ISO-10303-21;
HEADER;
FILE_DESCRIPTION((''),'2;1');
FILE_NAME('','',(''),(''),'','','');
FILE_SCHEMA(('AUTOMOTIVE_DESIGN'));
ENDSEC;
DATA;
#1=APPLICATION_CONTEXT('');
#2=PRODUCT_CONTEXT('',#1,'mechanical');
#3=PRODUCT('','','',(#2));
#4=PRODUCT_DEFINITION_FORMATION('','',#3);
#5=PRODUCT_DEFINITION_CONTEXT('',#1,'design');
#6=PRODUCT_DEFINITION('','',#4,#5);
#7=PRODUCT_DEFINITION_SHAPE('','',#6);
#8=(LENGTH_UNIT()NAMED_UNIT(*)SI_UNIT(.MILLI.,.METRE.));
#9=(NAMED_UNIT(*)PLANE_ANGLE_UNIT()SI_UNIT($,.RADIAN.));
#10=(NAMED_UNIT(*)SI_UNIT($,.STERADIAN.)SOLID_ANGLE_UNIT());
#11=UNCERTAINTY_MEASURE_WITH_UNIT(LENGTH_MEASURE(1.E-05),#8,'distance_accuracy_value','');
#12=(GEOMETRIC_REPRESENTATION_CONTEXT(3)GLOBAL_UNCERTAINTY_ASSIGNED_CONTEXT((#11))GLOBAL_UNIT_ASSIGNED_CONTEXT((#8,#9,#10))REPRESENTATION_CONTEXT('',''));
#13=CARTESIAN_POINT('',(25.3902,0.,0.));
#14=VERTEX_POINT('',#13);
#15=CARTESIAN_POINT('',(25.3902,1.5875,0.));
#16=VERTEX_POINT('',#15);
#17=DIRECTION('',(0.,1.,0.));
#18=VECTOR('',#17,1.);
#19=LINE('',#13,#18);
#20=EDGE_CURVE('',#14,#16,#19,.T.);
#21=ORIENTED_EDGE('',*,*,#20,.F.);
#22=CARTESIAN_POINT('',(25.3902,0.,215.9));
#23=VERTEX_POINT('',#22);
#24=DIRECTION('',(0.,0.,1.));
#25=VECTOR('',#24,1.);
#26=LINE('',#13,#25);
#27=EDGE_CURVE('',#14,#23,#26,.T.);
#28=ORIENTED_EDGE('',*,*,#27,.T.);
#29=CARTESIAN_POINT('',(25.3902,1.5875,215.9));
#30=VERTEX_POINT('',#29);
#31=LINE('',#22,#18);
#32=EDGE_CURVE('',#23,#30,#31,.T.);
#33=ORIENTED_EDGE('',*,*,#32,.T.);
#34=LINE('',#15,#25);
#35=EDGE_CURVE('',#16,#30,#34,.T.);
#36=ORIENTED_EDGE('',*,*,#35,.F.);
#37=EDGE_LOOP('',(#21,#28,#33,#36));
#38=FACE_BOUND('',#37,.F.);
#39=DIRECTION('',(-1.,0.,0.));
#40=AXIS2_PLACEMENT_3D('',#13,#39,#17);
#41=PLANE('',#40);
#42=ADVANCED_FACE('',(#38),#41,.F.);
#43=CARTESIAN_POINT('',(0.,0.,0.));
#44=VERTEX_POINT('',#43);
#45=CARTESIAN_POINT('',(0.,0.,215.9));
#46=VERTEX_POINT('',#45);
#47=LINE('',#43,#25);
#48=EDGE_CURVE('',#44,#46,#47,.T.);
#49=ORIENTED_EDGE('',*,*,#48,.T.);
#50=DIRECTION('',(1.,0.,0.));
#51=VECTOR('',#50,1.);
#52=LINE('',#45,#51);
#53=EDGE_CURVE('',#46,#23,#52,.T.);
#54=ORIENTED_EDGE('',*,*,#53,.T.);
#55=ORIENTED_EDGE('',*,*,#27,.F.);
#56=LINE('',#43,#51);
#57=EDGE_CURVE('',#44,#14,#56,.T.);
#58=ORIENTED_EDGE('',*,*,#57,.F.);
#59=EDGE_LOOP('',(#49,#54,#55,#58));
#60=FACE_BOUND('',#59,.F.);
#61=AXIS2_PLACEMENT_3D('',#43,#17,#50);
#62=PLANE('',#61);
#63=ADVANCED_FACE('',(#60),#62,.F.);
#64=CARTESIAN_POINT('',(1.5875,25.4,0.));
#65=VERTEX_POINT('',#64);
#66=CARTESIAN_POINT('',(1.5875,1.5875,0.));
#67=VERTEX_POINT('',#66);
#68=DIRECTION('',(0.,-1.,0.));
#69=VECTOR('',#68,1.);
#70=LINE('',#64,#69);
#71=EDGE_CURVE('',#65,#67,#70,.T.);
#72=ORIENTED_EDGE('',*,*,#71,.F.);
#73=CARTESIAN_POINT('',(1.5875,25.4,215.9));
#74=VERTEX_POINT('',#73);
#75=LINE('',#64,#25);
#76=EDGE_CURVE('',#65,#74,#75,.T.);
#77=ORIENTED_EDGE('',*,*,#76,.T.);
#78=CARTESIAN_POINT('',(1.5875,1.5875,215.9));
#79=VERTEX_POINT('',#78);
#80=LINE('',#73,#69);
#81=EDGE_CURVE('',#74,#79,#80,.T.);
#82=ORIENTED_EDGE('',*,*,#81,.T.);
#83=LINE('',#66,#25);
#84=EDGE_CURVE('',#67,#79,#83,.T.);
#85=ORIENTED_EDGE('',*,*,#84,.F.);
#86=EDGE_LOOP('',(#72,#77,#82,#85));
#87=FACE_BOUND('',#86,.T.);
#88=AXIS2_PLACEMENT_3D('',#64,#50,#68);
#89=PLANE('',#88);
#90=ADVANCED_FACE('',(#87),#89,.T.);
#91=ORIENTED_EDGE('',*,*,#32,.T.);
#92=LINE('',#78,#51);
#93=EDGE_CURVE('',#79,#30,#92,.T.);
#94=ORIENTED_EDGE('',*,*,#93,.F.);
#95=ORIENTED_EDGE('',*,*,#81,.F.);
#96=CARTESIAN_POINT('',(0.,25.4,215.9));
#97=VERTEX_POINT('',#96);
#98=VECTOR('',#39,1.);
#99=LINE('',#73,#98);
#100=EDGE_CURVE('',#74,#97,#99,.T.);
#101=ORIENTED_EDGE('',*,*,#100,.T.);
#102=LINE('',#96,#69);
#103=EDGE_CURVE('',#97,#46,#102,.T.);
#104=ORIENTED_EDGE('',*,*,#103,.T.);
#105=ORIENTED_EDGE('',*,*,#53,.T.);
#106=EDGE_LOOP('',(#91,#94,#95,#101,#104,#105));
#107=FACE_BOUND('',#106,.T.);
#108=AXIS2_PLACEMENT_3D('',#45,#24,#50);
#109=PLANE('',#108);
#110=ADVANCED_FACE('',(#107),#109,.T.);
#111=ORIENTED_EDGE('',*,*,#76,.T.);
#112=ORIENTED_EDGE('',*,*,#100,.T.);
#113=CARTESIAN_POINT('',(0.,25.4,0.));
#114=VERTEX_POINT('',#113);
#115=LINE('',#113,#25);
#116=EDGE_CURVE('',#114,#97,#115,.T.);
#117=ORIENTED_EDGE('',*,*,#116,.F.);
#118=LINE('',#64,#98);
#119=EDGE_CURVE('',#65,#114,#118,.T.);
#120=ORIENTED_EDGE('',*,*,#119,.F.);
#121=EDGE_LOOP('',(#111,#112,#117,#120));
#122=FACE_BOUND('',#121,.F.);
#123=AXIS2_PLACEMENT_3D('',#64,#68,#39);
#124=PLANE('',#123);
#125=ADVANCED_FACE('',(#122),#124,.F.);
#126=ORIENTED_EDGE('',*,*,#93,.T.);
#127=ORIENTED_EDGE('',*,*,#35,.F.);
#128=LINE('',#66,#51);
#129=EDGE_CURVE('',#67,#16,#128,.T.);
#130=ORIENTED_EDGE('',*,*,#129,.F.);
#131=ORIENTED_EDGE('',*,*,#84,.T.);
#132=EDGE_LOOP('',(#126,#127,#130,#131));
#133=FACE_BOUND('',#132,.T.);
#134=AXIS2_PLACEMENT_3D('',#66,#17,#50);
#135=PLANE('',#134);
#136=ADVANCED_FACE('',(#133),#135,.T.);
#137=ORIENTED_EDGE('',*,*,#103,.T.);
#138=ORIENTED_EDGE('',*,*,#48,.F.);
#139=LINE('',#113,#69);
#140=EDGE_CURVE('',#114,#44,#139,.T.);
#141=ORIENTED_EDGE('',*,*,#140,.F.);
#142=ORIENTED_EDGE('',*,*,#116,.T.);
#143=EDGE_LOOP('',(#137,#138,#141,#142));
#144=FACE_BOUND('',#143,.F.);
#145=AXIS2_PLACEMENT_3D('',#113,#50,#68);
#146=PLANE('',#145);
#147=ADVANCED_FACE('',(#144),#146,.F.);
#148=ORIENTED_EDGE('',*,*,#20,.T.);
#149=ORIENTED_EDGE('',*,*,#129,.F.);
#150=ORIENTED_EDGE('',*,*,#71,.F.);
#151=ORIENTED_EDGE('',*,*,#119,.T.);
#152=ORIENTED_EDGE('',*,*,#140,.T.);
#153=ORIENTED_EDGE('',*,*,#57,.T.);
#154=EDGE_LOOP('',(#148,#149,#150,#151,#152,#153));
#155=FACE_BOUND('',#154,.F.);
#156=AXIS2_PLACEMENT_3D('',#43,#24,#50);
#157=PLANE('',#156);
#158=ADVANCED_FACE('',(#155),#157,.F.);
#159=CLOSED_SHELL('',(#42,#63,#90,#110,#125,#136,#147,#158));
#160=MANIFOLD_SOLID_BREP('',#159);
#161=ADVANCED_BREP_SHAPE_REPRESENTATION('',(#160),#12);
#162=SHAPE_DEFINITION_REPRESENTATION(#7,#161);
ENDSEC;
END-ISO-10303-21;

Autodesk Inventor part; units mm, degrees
ref_plane "YZ Plane" through (0, 0, 0) normal (1, 0, 0) x (0, 1, 0)
ref_plane "XZ Plane" through (0, 0, 0) normal (0, 1, 0) x (-1, 0, 0)
ref_plane "XY Plane" through (0, 0, 0) normal (0, 0, 1) x (1, 0, 0)
sketch "Sketch1" plane through (0, 0, 0) normal (0, 0, 1) x (1, 0, 0)
  line L0 (0, 0) -> (25.3902, 0)
  line L1 (25.3902, 0) -> (25.3902, 1.5875)
  line L2 (1.5875, 25.4) -> (0, 25.4)
  line L3 (0, 25.4) -> (0, 0)
  line L4 (1.5875, 25.4) -> (1.5875, 1.5875)
  line L5 (1.5875, 1.5875) -> (25.3902, 1.5875)
  dimension "d0" = 25.4
  dimension "d1" = 25.3902
  dimension "d2" = 1.5875
  dimension "d3" = 1.5875
extrude "Extrusion1" add sketch "Sketch1" along normal blind 215.9
equation "\"d2\" = d3"
properties part number "8 ball  frame corner L"
